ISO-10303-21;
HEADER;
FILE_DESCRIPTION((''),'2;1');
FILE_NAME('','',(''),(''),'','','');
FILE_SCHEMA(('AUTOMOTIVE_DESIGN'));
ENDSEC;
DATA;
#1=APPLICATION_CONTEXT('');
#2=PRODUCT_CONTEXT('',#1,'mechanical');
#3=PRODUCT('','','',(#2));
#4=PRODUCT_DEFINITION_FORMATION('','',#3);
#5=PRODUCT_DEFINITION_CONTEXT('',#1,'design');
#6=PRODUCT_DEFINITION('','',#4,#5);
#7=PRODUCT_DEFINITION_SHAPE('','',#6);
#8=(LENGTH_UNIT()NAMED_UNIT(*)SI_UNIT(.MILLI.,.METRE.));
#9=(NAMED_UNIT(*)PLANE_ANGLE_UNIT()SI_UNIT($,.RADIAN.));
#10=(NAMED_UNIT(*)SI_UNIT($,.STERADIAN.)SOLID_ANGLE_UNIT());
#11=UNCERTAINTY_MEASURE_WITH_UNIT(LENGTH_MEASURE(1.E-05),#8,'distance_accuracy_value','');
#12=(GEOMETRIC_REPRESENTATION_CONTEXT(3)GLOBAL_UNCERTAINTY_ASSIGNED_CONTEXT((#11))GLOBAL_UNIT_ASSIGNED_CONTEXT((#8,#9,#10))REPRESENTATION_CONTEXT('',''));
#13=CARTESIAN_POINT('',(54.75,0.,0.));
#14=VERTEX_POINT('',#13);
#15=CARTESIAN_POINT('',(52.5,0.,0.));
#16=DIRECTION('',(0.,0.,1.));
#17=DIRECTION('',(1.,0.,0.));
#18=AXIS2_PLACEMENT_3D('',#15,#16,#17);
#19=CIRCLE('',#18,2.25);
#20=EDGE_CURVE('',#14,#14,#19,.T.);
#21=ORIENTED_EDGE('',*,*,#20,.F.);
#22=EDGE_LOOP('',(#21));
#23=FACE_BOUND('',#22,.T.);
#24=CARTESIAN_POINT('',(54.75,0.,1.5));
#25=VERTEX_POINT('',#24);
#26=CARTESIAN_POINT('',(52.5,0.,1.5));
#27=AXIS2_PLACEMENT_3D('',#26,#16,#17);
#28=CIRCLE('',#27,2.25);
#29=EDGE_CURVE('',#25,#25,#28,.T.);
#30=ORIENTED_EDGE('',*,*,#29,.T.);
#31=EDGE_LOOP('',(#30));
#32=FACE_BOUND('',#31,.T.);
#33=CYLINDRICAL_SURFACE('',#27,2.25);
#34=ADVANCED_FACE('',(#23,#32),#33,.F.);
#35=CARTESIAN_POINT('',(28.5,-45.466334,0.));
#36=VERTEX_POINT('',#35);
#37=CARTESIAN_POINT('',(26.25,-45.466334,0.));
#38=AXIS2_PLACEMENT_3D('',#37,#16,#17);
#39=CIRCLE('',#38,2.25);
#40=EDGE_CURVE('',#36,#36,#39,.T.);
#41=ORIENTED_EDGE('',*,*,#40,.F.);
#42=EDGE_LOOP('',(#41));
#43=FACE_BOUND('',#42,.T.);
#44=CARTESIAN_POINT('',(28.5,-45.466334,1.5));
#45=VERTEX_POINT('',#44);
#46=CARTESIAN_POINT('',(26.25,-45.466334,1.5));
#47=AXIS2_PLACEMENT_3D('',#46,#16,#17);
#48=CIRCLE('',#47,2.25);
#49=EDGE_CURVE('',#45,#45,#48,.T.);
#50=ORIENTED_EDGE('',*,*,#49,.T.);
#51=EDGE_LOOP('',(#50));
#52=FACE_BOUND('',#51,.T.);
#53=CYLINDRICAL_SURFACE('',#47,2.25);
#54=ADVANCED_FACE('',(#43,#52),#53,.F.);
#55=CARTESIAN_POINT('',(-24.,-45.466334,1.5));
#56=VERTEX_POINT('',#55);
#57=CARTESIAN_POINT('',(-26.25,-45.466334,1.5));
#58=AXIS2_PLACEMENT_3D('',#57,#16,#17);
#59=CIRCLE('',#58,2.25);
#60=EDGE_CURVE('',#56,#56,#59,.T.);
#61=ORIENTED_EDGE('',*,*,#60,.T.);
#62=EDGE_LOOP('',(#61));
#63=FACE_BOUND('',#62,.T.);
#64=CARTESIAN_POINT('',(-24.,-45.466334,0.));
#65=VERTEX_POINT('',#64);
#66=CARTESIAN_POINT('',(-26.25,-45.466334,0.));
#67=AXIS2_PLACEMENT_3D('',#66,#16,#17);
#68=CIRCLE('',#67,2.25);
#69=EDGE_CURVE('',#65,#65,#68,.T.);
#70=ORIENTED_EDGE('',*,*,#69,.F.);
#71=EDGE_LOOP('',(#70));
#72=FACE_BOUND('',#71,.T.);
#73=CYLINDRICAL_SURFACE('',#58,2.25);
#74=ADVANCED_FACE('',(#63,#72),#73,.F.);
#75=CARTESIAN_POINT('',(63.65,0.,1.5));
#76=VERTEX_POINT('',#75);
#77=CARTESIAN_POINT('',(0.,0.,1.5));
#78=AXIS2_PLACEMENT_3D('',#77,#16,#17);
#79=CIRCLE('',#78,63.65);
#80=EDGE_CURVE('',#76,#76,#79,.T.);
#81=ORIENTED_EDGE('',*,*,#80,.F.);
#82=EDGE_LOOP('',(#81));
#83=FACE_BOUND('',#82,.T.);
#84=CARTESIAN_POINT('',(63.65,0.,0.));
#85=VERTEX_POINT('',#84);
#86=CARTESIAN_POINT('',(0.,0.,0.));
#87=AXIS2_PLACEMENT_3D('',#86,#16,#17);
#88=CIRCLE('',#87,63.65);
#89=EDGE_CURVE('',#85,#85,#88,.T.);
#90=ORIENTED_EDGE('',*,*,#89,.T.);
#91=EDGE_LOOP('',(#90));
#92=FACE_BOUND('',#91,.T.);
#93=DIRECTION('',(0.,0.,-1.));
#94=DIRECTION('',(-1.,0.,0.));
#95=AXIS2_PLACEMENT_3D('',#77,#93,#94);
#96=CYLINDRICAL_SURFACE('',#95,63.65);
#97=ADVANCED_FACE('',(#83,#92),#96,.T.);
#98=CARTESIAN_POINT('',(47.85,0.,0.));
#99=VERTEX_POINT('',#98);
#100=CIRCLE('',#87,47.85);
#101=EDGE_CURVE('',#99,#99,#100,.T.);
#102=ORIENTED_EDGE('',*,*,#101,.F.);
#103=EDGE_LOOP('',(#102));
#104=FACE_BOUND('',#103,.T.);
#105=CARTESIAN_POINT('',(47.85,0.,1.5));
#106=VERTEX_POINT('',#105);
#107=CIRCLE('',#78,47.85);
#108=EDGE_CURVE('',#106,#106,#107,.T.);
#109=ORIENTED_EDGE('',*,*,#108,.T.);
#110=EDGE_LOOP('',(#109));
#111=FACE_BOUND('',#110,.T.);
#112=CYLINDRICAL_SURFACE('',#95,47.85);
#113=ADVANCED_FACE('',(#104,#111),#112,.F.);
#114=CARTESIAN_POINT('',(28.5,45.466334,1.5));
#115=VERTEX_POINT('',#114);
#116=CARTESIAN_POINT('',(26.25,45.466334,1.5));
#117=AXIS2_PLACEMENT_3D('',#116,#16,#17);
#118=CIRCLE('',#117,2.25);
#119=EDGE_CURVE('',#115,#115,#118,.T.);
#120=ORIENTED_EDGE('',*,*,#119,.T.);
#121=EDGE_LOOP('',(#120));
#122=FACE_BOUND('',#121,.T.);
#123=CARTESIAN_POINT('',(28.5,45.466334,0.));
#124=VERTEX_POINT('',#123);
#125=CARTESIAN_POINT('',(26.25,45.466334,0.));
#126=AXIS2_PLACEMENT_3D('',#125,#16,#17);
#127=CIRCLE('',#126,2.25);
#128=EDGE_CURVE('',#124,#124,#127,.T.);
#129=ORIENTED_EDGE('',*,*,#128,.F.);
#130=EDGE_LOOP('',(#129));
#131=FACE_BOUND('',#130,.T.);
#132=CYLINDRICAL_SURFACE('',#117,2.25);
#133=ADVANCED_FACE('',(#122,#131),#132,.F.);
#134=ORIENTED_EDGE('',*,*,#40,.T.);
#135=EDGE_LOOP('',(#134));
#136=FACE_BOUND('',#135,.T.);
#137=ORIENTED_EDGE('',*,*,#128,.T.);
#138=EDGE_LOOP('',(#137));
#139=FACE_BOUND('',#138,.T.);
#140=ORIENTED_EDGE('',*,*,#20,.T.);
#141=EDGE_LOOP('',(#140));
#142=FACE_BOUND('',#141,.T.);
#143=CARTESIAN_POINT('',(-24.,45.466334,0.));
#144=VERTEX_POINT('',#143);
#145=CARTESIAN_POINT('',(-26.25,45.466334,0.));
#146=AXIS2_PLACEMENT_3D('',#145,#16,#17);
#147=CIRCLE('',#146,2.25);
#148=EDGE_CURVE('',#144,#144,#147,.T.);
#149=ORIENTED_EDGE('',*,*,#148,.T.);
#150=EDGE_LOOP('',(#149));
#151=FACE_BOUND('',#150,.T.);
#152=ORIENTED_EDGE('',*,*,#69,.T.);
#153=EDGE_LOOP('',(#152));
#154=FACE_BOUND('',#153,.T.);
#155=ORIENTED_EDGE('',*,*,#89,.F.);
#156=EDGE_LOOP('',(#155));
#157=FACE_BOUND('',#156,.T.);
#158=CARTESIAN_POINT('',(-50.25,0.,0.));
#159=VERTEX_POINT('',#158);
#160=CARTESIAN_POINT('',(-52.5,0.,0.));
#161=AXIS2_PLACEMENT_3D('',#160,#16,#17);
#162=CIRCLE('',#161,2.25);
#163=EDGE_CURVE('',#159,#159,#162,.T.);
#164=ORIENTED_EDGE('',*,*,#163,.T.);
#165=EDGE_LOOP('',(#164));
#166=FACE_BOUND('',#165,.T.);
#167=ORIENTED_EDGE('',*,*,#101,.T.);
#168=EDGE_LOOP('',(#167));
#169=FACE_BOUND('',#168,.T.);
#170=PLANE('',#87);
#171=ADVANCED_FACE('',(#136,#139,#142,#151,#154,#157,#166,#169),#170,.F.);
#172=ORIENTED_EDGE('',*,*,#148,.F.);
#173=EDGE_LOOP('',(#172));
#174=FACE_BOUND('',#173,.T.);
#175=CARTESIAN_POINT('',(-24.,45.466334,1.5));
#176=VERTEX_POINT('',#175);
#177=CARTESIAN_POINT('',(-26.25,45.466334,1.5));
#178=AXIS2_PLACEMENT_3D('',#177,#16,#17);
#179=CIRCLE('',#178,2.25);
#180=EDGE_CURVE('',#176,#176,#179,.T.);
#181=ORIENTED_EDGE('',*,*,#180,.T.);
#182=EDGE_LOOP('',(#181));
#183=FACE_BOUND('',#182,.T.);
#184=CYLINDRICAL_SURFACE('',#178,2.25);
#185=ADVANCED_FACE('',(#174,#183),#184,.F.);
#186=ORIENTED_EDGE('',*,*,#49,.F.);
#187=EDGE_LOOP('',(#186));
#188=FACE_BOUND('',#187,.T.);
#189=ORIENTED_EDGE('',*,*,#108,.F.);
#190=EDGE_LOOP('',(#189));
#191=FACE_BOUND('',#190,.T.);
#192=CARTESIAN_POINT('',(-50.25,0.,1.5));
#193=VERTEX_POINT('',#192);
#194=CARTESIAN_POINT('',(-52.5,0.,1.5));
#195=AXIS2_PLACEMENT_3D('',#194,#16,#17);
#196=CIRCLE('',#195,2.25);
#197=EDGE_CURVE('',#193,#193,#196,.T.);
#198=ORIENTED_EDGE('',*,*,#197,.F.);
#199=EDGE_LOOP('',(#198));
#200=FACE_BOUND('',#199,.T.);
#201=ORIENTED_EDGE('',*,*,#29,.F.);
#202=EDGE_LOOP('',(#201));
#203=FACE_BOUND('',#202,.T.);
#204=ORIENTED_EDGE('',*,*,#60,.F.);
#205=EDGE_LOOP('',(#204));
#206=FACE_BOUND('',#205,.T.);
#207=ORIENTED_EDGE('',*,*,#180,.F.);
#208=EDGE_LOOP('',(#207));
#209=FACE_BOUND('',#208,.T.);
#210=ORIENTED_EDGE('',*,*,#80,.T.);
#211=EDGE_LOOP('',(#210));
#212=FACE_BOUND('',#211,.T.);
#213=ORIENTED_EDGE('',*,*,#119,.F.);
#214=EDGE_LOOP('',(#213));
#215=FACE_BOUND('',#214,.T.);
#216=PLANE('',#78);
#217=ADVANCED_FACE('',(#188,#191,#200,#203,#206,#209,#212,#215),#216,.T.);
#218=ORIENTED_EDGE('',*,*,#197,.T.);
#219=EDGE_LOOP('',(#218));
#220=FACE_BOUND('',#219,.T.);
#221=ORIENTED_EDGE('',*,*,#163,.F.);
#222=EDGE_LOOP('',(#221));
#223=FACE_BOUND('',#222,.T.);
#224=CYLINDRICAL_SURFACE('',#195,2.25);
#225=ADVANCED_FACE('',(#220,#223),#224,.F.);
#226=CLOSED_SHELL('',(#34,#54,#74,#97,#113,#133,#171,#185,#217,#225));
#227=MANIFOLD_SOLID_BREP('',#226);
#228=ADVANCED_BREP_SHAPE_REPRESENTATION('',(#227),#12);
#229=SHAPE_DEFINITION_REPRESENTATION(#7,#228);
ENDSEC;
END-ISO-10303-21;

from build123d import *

# Parameters (mm, degrees)
SKIZZE1_R                       = 63.65
SKIZZE1_R_2                     = 47.85
AUFSATZ_LINEAR_AUSTRAGEN1_DEPTH = 1.5
DURCHGANGSLOCH_F_R_M41_D        = 4.5


with BuildPart() as part:
    # Skizze1 → Aufsatz-Linear austragen1 (new body)
    with BuildSketch(Plane.XY):
        Circle(SKIZZE1_R)
        Circle(SKIZZE1_R_2, mode=Mode.SUBTRACT)
    extrude(amount=AUFSATZ_LINEAR_AUSTRAGEN1_DEPTH)

    # Durchgangsloch für M41 (through all)
    with Locations(Plane.XY.offset(1.5)):
        with Locations((52.5, 0), (26.25, -45.466333699), (-26.25, -45.466333699), (-52.5, 0), (-26.25, 45.466333699), (26.25, 45.466333699)):
            Hole(DURCHGANGSLOCH_F_R_M41_D / 2)


solid = part.part
